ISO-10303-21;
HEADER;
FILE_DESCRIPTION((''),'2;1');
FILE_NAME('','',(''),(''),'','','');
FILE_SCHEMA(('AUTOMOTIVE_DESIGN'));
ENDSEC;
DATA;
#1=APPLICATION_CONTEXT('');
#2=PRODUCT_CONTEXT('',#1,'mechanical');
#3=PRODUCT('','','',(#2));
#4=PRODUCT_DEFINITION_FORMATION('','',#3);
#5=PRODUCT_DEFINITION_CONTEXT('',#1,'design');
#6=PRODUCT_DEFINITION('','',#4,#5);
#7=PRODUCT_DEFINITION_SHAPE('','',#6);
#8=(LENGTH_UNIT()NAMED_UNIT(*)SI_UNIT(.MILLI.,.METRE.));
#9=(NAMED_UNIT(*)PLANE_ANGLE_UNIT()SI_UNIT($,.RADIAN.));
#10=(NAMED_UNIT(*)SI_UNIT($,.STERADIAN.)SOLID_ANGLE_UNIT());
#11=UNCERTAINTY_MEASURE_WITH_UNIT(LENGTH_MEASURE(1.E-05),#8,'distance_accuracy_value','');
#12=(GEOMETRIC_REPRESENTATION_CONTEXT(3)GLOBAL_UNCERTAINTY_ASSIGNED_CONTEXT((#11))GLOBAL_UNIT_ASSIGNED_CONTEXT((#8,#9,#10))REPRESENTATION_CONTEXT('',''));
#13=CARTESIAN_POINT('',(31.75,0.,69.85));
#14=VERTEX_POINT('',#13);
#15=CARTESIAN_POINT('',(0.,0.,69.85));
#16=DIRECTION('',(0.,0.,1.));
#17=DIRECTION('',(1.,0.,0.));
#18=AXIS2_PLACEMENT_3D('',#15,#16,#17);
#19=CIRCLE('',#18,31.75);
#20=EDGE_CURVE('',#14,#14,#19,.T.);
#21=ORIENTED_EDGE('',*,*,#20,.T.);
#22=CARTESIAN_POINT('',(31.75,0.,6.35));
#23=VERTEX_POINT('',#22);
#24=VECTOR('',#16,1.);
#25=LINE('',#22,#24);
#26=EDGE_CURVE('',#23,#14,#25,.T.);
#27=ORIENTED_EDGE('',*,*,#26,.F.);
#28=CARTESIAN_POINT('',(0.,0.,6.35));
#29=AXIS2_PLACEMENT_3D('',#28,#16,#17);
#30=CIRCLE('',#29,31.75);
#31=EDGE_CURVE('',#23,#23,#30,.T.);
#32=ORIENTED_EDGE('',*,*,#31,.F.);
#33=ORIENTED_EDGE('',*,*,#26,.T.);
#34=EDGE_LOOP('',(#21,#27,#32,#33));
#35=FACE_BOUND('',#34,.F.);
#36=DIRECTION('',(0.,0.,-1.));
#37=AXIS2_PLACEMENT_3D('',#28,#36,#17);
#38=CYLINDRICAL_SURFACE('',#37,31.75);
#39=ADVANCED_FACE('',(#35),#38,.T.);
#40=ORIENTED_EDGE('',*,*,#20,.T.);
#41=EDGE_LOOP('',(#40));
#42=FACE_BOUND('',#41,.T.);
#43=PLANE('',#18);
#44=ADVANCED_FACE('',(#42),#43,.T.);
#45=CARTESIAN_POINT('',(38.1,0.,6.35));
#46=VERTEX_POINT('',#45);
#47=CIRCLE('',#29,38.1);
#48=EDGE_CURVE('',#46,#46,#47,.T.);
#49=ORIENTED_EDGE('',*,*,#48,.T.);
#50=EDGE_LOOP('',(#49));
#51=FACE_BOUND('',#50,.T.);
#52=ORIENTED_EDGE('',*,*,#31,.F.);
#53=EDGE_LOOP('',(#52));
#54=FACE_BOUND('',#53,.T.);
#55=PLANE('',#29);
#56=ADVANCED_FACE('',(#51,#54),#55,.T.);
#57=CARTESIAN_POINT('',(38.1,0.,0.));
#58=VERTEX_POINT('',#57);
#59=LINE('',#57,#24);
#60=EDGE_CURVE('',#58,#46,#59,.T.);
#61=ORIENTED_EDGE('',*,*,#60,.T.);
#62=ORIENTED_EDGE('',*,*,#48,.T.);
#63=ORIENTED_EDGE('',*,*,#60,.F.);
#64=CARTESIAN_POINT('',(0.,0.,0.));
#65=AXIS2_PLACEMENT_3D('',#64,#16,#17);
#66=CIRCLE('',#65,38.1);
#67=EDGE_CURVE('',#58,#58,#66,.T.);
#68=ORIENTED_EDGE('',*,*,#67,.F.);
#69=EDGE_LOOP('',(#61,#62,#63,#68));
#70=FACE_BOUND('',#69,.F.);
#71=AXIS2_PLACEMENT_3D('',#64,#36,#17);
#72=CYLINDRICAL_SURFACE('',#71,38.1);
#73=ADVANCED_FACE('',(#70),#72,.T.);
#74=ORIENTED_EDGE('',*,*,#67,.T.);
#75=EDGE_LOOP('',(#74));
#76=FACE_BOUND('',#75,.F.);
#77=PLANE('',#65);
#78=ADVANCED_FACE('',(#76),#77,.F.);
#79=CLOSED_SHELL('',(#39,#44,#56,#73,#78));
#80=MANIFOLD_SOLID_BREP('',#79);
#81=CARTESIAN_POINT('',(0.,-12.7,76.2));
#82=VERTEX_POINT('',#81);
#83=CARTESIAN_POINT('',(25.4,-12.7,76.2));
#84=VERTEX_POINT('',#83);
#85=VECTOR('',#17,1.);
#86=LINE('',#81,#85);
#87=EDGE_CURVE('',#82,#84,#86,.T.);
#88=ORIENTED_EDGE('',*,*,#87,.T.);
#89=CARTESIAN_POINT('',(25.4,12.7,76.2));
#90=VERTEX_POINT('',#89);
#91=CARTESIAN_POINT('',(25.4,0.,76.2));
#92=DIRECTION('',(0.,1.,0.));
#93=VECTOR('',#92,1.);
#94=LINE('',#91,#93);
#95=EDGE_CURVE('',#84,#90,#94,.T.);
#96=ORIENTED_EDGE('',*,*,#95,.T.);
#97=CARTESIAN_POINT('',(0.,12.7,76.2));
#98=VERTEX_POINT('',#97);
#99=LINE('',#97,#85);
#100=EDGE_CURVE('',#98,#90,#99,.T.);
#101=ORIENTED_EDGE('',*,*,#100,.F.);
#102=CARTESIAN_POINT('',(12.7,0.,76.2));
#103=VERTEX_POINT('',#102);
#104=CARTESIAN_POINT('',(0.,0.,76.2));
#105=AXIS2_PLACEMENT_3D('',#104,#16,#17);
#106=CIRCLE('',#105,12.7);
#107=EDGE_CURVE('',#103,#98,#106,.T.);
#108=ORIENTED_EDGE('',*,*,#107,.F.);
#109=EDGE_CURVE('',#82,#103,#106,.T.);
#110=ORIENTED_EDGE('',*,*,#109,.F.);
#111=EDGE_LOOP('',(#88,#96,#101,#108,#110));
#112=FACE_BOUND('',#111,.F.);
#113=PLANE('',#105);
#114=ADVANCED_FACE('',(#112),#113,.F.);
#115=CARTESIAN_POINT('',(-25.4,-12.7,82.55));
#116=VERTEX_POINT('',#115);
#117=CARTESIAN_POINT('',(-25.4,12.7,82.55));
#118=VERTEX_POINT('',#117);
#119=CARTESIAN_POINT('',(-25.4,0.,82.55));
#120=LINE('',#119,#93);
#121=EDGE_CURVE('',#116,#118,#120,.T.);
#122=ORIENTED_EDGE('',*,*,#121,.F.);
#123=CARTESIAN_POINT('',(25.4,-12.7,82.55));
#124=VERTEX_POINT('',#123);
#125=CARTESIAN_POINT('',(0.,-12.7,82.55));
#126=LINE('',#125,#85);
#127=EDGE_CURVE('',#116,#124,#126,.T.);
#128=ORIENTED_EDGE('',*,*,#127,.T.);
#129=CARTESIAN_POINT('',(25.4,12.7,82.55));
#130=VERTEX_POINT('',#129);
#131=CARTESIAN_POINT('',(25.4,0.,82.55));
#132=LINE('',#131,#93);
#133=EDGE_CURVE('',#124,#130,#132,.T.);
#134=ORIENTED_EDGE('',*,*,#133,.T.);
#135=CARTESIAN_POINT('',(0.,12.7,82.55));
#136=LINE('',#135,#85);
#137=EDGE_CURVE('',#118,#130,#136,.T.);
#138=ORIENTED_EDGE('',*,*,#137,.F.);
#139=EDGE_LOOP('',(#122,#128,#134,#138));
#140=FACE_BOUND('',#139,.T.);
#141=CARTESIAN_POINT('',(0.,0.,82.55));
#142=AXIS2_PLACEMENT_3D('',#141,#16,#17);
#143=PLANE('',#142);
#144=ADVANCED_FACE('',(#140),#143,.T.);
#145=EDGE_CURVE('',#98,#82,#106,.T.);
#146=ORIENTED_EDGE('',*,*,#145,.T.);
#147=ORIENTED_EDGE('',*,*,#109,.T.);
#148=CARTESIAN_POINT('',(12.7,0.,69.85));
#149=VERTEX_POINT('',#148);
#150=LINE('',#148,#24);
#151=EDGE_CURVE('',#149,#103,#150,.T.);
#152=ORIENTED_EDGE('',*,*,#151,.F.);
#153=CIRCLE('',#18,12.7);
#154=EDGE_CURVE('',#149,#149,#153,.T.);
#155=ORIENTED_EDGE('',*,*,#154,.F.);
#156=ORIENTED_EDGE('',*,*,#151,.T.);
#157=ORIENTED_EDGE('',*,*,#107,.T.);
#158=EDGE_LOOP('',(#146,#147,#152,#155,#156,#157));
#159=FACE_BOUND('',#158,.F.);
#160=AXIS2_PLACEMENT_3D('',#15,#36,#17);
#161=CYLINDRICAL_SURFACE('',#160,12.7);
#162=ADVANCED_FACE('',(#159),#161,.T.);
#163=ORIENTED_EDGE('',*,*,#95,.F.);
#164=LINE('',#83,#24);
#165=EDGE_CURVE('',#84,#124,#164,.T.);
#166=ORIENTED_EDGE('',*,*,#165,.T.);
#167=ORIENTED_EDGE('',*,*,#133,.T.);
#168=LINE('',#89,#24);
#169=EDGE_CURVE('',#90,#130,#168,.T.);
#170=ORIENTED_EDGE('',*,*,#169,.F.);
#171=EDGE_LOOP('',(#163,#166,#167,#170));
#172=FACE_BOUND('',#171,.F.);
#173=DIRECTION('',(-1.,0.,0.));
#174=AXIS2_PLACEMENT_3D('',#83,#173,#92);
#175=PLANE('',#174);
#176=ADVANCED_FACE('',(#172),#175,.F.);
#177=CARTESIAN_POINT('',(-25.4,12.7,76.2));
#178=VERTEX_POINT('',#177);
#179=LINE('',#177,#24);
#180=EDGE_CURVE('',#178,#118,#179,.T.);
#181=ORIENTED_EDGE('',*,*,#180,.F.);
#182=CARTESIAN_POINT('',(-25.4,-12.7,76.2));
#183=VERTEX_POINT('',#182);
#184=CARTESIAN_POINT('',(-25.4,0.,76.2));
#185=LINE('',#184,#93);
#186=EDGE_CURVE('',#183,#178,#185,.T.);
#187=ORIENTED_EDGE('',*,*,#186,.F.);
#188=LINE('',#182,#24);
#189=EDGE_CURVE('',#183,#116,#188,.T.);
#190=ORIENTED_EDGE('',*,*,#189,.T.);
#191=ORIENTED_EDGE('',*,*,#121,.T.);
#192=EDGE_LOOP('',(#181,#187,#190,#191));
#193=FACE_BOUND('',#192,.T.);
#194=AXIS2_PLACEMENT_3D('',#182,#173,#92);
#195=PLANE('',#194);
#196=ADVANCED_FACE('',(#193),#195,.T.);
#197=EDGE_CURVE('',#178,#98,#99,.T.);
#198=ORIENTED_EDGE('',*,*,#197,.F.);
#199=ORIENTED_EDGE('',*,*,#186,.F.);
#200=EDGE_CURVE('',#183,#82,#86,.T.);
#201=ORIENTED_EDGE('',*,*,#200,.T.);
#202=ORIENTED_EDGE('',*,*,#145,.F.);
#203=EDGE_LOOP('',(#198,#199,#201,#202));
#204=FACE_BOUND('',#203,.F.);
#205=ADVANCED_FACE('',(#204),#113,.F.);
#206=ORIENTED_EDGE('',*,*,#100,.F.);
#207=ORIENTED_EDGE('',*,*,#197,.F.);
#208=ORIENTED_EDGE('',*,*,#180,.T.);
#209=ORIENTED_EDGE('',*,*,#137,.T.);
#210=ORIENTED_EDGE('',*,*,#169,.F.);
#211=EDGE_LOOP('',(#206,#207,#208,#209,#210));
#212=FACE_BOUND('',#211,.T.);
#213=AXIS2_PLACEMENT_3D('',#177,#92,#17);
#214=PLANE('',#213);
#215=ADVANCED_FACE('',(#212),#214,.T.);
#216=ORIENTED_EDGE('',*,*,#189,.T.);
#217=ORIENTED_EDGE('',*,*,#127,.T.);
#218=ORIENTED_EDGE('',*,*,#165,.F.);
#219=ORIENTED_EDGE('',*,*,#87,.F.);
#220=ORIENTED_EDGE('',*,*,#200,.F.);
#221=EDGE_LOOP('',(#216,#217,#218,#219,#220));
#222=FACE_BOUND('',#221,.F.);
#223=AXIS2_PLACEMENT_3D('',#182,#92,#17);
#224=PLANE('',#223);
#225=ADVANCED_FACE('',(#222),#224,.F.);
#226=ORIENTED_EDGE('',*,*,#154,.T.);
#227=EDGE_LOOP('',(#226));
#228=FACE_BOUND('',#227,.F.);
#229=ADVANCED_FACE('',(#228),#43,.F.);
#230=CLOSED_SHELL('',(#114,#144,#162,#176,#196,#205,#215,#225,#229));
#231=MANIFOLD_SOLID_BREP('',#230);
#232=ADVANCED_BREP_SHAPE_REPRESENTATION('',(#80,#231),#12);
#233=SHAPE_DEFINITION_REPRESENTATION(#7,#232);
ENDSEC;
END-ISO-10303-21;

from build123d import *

# Parameters (mm, degrees)
F0_R     = 38.1
F1_DEPTH = 6.35
F2_R     = 31.75
F3_DEPTH = 63.5
F4_R     = 12.7
F5_DEPTH = 6.35
F6_W     = 50.8
F6_H     = 25.4
F7_DEPTH = 6.35


with BuildPart() as f1:
    # F0 (on Top) → F1 (new body)
    with BuildSketch(Plane.XY):
        Circle(F0_R)
    extrude(amount=F1_DEPTH)

    # F2 (on face) → F3 (join)
    with BuildSketch(Plane.XY.offset(6.35)):
        Circle(F2_R)
    extrude(amount=F3_DEPTH)


with BuildPart() as f5:
    # F4 (on face) → F5 (new body)
    with BuildSketch(Plane.XY.offset(69.85)):
        Circle(F4_R)
    extrude(amount=F5_DEPTH)

    # F6 (on face) → F7 (join)
    with BuildSketch(Plane.XY.offset(76.2)):
        Rectangle(F6_W, F6_H)
    extrude(amount=F7_DEPTH)


solid = Compound([f1.part, f5.part])
